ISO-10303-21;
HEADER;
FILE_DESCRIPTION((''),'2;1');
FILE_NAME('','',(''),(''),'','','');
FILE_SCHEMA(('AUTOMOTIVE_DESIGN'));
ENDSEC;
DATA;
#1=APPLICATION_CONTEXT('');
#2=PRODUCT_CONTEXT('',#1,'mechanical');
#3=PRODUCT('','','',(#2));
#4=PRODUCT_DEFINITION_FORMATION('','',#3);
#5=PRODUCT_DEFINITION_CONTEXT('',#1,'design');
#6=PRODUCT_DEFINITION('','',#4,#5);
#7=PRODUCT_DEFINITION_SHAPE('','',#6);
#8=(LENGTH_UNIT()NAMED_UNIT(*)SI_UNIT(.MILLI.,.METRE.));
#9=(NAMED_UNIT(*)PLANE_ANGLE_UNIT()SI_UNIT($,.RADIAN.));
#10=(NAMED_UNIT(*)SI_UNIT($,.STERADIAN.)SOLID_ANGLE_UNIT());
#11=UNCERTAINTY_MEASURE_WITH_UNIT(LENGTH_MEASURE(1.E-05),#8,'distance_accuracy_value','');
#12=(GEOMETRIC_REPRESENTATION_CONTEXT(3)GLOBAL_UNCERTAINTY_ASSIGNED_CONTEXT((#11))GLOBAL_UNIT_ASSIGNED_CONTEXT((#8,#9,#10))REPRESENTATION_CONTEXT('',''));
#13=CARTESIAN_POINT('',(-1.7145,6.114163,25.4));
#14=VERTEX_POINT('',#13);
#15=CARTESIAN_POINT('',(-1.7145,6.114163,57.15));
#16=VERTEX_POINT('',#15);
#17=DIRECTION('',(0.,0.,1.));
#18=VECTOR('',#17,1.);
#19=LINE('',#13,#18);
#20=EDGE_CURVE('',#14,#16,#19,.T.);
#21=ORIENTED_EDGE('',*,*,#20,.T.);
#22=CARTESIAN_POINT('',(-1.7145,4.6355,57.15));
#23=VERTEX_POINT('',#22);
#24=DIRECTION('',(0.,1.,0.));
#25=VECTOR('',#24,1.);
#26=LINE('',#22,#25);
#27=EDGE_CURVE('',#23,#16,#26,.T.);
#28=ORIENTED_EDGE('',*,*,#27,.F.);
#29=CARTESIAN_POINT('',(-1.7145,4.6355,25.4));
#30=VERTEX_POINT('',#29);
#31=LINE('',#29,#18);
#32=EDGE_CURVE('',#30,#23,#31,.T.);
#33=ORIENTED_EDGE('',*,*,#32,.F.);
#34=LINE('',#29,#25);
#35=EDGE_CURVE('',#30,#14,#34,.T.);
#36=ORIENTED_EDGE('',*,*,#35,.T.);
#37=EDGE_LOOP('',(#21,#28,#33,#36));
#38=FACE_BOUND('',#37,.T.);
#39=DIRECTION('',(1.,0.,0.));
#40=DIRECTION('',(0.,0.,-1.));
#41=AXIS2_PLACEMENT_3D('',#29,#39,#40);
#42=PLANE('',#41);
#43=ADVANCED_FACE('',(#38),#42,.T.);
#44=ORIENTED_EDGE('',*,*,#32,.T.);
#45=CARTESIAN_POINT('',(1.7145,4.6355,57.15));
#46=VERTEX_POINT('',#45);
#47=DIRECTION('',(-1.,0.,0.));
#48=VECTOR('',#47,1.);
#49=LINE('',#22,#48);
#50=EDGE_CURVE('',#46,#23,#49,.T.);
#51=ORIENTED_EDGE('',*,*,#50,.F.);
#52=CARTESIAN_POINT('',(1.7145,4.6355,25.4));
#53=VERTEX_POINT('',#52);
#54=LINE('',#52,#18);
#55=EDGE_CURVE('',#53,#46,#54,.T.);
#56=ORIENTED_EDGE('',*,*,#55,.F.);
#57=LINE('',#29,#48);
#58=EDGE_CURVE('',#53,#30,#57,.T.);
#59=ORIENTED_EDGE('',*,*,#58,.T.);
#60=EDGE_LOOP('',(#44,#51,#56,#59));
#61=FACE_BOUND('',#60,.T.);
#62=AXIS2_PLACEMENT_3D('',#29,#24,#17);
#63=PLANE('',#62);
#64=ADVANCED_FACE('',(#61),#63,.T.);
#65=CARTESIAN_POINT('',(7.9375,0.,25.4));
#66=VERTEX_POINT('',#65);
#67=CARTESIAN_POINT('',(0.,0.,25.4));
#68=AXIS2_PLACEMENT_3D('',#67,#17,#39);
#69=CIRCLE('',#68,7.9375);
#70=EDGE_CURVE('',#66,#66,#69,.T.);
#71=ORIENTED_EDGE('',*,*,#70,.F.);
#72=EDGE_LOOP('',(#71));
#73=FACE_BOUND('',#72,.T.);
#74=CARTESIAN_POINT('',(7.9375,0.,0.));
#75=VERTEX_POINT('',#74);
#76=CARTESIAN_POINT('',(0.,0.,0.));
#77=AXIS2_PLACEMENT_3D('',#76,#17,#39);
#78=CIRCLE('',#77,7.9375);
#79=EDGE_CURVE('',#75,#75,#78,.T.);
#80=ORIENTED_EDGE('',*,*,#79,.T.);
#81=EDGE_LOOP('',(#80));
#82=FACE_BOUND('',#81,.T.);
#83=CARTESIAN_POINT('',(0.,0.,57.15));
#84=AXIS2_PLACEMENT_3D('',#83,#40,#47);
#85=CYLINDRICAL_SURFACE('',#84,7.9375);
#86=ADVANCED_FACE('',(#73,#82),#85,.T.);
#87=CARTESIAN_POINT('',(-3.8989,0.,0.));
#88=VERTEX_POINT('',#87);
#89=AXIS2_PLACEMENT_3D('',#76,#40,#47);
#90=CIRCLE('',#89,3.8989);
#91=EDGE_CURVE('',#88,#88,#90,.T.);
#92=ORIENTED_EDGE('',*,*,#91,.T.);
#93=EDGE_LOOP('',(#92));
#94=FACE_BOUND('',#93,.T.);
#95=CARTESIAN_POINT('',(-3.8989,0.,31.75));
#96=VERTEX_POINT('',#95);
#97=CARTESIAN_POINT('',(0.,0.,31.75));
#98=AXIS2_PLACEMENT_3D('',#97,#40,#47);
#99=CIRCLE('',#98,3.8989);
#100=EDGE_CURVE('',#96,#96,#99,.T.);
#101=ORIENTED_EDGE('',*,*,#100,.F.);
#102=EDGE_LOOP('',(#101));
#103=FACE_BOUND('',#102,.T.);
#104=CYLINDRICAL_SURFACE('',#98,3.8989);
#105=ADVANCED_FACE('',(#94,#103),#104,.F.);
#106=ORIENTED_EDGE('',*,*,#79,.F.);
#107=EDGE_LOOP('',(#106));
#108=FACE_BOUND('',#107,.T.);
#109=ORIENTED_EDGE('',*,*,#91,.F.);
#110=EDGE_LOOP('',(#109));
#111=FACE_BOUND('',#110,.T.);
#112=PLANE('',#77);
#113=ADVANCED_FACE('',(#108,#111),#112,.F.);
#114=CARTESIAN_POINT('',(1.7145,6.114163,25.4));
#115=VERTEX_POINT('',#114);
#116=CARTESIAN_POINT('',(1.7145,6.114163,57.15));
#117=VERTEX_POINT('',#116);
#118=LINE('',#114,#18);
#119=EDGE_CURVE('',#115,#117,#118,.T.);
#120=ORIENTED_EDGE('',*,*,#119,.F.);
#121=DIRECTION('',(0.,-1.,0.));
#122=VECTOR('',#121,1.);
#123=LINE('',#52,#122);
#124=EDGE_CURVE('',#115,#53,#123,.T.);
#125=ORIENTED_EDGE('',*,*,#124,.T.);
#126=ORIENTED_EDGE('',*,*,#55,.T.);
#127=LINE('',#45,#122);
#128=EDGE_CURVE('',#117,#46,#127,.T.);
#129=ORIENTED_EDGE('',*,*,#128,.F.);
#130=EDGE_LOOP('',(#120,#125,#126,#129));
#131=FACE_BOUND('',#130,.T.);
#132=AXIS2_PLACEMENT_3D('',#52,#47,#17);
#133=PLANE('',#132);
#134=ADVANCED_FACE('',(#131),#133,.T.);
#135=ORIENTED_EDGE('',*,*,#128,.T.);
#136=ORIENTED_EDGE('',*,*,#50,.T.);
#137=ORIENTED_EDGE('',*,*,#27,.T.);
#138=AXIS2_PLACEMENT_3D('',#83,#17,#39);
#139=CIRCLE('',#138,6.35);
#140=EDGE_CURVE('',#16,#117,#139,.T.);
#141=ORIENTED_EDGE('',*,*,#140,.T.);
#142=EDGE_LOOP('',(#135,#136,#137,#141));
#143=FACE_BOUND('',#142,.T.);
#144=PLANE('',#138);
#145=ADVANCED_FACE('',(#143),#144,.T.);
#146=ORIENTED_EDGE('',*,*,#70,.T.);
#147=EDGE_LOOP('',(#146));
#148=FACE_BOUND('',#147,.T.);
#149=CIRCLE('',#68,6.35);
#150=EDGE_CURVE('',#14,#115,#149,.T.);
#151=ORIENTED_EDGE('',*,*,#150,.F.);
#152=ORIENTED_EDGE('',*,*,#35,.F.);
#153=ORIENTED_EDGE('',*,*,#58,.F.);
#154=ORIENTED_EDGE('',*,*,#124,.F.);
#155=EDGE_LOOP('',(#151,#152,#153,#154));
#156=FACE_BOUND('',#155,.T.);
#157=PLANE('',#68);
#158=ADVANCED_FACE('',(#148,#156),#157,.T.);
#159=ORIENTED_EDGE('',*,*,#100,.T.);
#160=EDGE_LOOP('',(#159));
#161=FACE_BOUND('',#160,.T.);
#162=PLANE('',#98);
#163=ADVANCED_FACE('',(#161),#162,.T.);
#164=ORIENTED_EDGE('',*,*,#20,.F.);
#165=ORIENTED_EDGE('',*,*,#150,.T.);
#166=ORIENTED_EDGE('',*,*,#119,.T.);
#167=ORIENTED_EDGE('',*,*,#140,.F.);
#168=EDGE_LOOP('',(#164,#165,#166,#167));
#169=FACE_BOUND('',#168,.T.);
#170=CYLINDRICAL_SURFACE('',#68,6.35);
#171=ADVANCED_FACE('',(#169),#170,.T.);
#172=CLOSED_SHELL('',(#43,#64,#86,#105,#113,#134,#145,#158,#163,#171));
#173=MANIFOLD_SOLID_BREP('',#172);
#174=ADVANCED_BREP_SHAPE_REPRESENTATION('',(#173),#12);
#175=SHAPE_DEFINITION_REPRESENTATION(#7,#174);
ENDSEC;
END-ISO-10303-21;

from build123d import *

# Parameters (mm, degrees)
SKETCH1_R           = 7.9375
BOSS_EXTRUDE1_DEPTH = 57.15
SKETCH2_R           = 3.8989
CUT_EXTRUDE1_DEPTH  = 31.75
SKETCH3_R           = 8.001
CUT_EXTRUDE2_DEPTH  = 31.75


with BuildPart() as part:
    # Sketch1 → Boss-Extrude1 (new body)
    with BuildSketch(Plane.XY):
        Circle(SKETCH1_R)
    extrude(amount=BOSS_EXTRUDE1_DEPTH)

    # Sketch2 → Cut-Extrude1 (cut)
    with BuildSketch(Plane(origin=(0, 0, 0), x_dir=(-1, 0, 0), z_dir=(0, 0, -1))):
        Circle(SKETCH2_R)
    extrude(amount=-CUT_EXTRUDE1_DEPTH, mode=Mode.SUBTRACT)

    # Sketch3 → Cut-Extrude2 (cut)
    with BuildSketch(Plane.XY.offset(57.15)):
        Circle(SKETCH3_R)
        with BuildLine():
            Line((-1.7145, 4.6355), (1.7145, 4.6355))
            Line((1.7145, 4.6355), (1.7145, 6.114163046))
            ThreePointArc((1.7145, 6.114163046), (0, -6.35), (-1.7145, 6.114163046))
            Line((-1.7145, 6.114163046), (-1.7145, 4.6355))
        make_face(mode=Mode.SUBTRACT)
    extrude(amount=-CUT_EXTRUDE2_DEPTH, mode=Mode.SUBTRACT)


solid = part.part
